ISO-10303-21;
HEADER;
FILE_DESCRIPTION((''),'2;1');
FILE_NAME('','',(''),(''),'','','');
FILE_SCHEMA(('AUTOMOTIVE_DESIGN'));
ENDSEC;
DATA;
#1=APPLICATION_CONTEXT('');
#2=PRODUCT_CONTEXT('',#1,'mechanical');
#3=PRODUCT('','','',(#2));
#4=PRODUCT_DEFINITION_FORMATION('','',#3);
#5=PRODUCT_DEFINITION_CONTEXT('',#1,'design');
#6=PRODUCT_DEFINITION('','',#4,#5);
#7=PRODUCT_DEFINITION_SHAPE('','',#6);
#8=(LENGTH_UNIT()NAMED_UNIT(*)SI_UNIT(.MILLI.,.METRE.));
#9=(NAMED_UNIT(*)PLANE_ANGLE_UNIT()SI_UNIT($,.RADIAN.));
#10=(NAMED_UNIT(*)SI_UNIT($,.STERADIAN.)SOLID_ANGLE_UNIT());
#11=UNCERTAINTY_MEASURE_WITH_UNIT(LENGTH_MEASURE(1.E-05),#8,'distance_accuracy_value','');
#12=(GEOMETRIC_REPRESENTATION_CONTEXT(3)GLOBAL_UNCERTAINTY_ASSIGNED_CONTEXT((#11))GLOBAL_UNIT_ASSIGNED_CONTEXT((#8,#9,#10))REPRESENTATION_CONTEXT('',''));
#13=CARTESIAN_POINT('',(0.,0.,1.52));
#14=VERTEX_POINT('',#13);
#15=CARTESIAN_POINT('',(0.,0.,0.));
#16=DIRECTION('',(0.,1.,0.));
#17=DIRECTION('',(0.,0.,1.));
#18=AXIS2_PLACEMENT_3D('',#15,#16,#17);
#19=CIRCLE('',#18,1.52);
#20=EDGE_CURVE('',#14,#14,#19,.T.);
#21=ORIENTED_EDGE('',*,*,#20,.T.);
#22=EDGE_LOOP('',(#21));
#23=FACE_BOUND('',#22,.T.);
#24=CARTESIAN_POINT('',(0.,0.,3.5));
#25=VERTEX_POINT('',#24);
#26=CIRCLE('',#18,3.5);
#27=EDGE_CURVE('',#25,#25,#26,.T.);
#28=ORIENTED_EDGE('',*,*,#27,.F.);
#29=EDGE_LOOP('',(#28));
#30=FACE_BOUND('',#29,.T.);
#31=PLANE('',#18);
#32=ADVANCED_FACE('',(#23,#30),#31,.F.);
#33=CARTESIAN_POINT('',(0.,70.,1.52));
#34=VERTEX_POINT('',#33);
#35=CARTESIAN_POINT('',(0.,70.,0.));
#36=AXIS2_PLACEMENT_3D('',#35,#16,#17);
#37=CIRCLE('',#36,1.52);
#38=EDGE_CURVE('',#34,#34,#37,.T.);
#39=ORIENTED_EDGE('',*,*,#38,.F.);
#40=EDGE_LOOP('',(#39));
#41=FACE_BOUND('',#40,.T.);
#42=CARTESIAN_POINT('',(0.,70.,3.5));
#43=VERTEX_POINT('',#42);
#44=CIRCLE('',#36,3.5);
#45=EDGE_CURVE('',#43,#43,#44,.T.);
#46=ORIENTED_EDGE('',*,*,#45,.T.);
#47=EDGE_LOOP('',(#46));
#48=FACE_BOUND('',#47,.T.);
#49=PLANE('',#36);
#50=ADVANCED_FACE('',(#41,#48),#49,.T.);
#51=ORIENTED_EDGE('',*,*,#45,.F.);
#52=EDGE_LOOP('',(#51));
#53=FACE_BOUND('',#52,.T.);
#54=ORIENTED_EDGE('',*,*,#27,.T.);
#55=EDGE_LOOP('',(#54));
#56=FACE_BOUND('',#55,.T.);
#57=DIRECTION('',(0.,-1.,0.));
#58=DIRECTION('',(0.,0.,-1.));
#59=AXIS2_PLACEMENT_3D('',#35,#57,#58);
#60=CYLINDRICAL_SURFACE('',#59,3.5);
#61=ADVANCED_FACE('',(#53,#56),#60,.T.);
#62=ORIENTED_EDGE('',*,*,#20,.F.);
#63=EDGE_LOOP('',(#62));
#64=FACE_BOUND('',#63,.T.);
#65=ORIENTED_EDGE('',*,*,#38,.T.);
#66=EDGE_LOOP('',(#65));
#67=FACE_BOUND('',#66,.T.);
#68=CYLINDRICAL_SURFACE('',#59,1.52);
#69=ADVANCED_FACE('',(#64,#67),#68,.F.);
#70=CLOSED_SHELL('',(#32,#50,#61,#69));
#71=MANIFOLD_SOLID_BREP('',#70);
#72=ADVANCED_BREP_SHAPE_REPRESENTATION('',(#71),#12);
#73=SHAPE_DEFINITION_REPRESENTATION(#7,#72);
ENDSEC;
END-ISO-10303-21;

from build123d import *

# Parameters (mm, degrees)
SKETCH_1_R      = 3.5
SKETCH_1_R_2    = 1.52
EXTRUDE_1_DEPTH = 70


with BuildPart() as part:
    # 草图1 → 凸台-拉伸1 (new body)
    with BuildSketch(Plane(origin=(0, 0, 0), x_dir=(1, 0, 0), z_dir=(0, 1, 0))):
        Circle(SKETCH_1_R)
        Circle(SKETCH_1_R_2, mode=Mode.SUBTRACT)
    extrude(amount=EXTRUDE_1_DEPTH)


solid = part.part
